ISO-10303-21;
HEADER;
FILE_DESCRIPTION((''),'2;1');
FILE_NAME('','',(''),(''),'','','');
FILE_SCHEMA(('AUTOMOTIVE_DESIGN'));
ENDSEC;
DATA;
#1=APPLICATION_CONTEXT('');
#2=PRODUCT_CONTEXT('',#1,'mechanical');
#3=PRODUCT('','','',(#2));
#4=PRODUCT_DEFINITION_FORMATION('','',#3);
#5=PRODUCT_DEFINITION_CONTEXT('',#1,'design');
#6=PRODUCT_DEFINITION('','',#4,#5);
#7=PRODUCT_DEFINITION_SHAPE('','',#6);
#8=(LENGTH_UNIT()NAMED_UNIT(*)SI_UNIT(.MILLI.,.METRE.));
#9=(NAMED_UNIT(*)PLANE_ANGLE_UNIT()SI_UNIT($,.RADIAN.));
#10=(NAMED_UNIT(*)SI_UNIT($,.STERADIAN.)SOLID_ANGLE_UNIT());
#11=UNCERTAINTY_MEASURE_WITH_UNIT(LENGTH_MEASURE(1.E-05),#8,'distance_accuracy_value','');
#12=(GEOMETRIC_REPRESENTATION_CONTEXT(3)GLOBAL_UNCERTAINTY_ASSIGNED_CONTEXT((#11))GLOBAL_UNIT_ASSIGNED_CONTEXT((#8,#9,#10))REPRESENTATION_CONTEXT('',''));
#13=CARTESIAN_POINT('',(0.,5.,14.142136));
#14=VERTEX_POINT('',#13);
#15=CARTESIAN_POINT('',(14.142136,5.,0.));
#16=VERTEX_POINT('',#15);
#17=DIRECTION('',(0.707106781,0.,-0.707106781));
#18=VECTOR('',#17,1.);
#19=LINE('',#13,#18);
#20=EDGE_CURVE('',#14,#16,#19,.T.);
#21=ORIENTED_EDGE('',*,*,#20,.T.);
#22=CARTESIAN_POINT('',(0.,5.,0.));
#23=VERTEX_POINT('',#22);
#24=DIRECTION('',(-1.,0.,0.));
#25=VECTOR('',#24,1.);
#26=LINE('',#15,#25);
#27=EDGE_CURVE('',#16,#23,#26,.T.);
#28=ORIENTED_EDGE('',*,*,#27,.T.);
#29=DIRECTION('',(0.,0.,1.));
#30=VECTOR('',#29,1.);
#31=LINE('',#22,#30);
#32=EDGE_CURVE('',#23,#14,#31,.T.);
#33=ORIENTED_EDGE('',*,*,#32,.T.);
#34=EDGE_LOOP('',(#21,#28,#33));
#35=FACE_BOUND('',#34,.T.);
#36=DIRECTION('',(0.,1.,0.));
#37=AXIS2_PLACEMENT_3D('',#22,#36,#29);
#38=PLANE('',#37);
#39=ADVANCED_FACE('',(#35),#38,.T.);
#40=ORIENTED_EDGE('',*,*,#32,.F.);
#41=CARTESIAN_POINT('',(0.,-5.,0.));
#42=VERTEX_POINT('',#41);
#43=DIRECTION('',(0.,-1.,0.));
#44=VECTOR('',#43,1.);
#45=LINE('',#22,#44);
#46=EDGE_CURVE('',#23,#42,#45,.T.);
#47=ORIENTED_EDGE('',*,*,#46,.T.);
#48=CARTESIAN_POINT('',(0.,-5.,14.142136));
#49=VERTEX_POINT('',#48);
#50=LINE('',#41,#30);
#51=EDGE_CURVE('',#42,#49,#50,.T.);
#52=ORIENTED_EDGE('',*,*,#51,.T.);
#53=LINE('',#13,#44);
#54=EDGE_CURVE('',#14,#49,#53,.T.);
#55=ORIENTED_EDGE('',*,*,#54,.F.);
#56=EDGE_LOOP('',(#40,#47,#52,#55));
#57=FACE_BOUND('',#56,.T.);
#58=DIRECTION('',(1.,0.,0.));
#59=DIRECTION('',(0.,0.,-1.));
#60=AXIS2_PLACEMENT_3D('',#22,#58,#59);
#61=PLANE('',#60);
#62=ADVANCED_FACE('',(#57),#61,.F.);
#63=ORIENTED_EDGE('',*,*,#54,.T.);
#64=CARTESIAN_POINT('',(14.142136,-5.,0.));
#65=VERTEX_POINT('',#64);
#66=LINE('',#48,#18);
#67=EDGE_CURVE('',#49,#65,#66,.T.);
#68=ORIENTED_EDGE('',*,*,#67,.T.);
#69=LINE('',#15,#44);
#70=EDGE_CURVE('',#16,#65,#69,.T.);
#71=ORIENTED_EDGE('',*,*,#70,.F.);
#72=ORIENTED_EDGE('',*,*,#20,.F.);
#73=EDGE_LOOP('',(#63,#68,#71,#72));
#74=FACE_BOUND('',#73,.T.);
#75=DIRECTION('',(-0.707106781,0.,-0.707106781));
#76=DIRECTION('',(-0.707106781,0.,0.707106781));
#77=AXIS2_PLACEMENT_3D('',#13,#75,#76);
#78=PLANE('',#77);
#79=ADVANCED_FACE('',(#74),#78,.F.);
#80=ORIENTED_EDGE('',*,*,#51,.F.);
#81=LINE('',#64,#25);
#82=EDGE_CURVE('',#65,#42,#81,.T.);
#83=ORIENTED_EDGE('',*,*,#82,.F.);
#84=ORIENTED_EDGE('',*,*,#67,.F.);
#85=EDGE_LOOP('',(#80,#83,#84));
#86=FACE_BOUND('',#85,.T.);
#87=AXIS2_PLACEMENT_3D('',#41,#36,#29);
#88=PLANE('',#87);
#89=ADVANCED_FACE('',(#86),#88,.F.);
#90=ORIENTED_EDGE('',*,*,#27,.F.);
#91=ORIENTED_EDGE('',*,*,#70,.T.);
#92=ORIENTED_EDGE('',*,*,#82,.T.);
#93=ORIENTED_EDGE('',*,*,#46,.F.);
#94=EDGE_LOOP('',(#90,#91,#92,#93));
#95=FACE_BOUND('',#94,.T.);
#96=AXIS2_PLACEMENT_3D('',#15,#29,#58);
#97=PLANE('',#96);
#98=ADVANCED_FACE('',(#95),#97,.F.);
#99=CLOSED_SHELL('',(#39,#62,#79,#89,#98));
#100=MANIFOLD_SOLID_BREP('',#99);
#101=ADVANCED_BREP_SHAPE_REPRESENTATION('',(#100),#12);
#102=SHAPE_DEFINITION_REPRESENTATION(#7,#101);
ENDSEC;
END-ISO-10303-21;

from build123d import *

# Parameters (mm, degrees)
BOSS_EXTRUDE1_DEPTH = 5


with BuildPart() as part:
    # Sketch1 → Boss-Extrude1 (new, symmetric)
    with BuildSketch(Plane(origin=(0, 0, 0), x_dir=(1, 0, 0), z_dir=(0, 1, 0))):
        Polygon((0, 0), (0, -14.142135624), (14.142135624, 0), align=None)
    extrude(amount=BOSS_EXTRUDE1_DEPTH, both=True)


solid = part.part
